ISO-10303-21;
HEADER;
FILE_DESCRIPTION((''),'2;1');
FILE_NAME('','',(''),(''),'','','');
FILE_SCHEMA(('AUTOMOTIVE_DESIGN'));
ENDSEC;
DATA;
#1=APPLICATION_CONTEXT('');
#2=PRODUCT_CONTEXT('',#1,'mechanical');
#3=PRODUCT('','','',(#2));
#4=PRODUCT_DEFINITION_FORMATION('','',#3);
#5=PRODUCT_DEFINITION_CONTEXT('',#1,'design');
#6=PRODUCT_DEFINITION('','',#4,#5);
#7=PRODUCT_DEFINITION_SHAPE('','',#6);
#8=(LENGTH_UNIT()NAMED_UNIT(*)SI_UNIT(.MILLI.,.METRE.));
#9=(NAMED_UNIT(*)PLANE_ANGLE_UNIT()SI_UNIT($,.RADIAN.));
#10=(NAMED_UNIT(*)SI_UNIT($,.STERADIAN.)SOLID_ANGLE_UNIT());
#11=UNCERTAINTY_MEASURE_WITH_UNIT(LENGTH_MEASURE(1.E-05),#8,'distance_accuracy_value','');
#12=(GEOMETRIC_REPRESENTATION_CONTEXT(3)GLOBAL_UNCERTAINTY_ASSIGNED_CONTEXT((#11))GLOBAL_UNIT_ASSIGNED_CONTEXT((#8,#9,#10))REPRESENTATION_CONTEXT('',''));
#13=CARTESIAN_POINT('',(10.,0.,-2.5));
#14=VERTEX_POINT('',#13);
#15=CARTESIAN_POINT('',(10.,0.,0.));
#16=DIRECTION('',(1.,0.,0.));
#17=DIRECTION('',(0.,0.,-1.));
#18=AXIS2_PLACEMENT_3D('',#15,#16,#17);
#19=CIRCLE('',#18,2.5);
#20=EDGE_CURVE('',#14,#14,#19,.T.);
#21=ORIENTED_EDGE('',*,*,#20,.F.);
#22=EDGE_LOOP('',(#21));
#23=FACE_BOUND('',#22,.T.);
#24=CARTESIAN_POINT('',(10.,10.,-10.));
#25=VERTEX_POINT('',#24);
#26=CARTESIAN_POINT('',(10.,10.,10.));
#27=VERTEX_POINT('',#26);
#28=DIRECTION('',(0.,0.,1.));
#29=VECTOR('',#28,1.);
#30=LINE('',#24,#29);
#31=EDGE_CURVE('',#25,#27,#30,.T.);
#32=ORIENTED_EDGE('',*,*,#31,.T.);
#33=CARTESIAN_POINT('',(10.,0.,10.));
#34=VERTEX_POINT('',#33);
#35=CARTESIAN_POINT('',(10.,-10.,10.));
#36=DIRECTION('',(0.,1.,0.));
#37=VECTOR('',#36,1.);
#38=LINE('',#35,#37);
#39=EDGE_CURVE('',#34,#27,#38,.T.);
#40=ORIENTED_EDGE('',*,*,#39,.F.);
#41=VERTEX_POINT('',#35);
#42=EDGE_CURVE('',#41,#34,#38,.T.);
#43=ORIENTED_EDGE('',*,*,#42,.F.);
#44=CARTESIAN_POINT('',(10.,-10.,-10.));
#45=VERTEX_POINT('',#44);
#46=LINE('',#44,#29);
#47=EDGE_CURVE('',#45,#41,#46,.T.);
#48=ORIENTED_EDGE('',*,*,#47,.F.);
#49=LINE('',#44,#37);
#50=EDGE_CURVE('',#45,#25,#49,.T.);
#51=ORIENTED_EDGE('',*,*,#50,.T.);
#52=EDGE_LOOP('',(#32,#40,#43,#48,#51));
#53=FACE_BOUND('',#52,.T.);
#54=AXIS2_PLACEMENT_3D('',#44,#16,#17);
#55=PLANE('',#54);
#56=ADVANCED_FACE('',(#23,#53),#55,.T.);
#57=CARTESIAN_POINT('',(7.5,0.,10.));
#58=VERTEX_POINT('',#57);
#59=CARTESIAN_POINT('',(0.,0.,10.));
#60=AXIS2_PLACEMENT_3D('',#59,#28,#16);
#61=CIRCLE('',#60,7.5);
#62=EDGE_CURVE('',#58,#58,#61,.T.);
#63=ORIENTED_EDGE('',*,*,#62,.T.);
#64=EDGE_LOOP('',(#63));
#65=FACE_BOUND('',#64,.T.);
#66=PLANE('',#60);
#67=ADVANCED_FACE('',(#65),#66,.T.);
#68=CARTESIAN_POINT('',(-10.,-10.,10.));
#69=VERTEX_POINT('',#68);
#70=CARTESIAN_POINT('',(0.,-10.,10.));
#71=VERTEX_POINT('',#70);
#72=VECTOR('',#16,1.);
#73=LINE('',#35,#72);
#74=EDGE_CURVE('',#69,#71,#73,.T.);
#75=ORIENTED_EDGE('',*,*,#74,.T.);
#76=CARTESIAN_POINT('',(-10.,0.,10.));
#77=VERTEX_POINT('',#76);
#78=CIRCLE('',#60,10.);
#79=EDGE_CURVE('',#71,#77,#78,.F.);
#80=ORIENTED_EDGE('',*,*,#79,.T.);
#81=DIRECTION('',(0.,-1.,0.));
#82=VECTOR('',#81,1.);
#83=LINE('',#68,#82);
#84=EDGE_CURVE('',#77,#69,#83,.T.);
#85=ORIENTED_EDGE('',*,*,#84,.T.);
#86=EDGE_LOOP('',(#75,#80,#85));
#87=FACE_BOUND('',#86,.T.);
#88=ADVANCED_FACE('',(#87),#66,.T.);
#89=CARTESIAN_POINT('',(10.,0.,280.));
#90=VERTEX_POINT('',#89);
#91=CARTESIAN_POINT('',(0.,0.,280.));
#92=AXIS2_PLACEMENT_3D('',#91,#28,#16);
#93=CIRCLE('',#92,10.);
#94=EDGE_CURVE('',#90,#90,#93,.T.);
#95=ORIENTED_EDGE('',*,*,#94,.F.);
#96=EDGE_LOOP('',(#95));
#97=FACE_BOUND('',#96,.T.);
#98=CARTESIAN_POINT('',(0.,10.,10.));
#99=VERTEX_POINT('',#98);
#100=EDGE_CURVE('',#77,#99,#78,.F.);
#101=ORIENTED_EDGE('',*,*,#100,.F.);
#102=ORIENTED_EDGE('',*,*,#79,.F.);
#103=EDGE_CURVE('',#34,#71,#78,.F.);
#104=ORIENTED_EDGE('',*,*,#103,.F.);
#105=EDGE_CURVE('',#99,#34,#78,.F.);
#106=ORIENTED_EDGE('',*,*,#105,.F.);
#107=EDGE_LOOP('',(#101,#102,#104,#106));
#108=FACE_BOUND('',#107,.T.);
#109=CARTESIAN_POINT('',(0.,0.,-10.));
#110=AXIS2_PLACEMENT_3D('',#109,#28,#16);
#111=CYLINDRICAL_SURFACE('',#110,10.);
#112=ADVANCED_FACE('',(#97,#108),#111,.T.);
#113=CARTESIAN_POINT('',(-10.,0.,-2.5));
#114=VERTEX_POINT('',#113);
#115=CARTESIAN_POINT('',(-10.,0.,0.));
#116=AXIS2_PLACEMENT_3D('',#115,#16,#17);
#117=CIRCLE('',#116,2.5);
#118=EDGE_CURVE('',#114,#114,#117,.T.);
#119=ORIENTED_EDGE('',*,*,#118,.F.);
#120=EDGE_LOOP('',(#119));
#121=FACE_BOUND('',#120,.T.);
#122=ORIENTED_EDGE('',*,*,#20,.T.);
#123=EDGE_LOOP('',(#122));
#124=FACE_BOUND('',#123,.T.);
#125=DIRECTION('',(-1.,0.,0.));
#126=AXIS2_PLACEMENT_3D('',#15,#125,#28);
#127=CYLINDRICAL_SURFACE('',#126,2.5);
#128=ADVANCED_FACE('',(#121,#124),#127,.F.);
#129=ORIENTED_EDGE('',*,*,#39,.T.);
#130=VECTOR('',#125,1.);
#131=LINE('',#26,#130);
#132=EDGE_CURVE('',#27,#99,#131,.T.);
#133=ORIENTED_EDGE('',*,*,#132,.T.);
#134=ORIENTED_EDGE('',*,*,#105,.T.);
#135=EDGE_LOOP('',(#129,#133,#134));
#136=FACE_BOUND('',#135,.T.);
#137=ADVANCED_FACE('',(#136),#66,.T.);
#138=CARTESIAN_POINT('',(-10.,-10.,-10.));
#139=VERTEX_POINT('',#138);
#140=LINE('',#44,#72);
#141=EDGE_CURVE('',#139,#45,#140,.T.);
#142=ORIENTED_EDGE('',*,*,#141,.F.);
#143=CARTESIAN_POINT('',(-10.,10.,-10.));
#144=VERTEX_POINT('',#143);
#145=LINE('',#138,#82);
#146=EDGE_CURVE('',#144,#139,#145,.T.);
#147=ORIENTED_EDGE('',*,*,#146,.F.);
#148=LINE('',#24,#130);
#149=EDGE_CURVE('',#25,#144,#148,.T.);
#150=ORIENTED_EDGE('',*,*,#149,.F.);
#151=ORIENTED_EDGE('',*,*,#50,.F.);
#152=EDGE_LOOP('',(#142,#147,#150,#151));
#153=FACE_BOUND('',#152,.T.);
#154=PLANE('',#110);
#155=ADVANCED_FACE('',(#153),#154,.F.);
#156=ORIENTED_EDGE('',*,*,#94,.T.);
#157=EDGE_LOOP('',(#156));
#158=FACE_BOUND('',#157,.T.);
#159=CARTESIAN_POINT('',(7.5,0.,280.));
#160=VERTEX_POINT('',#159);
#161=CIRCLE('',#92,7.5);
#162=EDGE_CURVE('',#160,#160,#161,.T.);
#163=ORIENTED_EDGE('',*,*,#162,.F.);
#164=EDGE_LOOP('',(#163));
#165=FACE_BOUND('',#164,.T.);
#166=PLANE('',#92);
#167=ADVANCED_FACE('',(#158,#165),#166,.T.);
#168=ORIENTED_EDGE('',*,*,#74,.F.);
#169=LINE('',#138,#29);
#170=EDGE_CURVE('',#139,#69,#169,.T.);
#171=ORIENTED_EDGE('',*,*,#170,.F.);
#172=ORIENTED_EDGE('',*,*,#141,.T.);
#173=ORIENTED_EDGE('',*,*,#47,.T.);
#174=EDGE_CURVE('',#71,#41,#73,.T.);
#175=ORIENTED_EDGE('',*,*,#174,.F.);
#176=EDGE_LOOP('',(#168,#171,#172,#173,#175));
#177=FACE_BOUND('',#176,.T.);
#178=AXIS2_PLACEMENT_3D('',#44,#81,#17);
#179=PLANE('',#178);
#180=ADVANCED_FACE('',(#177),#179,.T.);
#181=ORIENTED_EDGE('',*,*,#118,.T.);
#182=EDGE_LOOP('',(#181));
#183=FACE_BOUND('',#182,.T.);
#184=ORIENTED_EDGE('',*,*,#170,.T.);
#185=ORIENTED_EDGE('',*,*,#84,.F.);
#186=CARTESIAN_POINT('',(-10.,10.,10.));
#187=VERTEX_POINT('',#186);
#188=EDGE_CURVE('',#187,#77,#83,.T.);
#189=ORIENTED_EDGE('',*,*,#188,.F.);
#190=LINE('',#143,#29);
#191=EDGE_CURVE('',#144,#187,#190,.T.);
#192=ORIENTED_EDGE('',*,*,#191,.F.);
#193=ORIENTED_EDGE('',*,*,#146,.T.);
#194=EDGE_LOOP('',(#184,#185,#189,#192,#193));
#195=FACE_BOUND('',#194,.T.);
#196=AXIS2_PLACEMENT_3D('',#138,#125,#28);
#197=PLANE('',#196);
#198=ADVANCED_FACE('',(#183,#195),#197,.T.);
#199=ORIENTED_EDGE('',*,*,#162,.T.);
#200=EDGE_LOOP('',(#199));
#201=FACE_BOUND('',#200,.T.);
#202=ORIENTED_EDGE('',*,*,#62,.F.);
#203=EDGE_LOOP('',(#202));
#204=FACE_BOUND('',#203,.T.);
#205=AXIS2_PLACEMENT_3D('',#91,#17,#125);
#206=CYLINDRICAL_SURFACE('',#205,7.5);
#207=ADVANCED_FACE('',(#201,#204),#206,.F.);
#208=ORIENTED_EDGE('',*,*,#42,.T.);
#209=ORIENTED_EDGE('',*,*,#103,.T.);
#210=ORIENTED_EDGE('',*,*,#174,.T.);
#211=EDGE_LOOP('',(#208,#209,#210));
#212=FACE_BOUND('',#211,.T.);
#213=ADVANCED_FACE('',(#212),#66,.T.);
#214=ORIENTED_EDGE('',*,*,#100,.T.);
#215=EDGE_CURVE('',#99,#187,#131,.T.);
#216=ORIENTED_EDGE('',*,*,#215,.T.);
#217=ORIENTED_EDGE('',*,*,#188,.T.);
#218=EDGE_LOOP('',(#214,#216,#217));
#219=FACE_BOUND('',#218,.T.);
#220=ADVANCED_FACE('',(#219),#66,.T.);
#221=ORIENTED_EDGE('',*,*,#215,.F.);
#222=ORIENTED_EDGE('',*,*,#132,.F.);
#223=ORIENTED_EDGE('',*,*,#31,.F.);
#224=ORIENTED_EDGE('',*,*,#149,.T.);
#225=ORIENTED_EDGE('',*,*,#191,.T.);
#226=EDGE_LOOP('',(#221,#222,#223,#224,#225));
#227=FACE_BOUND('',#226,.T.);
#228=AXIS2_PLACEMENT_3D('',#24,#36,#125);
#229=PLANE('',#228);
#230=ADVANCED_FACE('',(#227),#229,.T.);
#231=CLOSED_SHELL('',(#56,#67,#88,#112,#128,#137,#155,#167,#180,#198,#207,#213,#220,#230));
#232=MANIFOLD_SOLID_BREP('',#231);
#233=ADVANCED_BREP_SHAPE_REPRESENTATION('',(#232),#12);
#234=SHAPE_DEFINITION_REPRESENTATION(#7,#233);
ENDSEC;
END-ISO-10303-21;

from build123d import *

# Parameters (mm, degrees)
RESSALTO_EXTRUS_O1_DEPTH      = 280
RESSALTO_EXTRUS_O1_DEPTH_BACK = 10
ESBO_O1_R                     = 10
ESBO_O2_R                     = 7.5
CORTE_EXTRUS_O1_DEPTH         = 280
RESSALTO_EXTRUS_O2_DEPTH      = 10
RESSALTO_EXTRUS_O2_DEPTH_BACK = 10
ESBO_O4_W                     = 20
ESBO_O4_H                     = 20
CORTE_EXTRUS_O2_DEPTH         = 10
CORTE_EXTRUS_O2_DEPTH_BACK    = 10
ESBO_O3_R                     = 2.5


with BuildPart() as part:
    # Esboço1 → Ressalto-extrusão1 (new, two sides: drawn at the far end of the back side and taken through both)
    with BuildSketch(Plane.XY.offset(-RESSALTO_EXTRUS_O1_DEPTH_BACK)):
        Circle(ESBO_O1_R)
    extrude(amount=RESSALTO_EXTRUS_O1_DEPTH + RESSALTO_EXTRUS_O1_DEPTH_BACK)

    # Esboço2 → Corte-extrusão1 (cut)
    with BuildSketch(Plane.XY):
        Circle(ESBO_O2_R)
    extrude(amount=CORTE_EXTRUS_O1_DEPTH, mode=Mode.SUBTRACT)

    # Esboço4 → Ressalto-extrusão2 (add, two sides: drawn at the far end of the back side and taken through both)
    with BuildSketch(Plane.XY.offset(-RESSALTO_EXTRUS_O2_DEPTH_BACK)):
        Rectangle(ESBO_O4_W, ESBO_O4_H)
    extrude(amount=RESSALTO_EXTRUS_O2_DEPTH + RESSALTO_EXTRUS_O2_DEPTH_BACK)

    # Esboço3 → Corte-extrusão2 (cut, two sides: drawn at the far end of the back side and taken through both)
    with BuildSketch(Plane(origin=(0, 0, 0), x_dir=(0, 0, -1), z_dir=(1, 0, 0)).offset(-CORTE_EXTRUS_O2_DEPTH_BACK)):
        Circle(ESBO_O3_R)
    extrude(amount=CORTE_EXTRUS_O2_DEPTH + CORTE_EXTRUS_O2_DEPTH_BACK, mode=Mode.SUBTRACT)


solid = part.part
